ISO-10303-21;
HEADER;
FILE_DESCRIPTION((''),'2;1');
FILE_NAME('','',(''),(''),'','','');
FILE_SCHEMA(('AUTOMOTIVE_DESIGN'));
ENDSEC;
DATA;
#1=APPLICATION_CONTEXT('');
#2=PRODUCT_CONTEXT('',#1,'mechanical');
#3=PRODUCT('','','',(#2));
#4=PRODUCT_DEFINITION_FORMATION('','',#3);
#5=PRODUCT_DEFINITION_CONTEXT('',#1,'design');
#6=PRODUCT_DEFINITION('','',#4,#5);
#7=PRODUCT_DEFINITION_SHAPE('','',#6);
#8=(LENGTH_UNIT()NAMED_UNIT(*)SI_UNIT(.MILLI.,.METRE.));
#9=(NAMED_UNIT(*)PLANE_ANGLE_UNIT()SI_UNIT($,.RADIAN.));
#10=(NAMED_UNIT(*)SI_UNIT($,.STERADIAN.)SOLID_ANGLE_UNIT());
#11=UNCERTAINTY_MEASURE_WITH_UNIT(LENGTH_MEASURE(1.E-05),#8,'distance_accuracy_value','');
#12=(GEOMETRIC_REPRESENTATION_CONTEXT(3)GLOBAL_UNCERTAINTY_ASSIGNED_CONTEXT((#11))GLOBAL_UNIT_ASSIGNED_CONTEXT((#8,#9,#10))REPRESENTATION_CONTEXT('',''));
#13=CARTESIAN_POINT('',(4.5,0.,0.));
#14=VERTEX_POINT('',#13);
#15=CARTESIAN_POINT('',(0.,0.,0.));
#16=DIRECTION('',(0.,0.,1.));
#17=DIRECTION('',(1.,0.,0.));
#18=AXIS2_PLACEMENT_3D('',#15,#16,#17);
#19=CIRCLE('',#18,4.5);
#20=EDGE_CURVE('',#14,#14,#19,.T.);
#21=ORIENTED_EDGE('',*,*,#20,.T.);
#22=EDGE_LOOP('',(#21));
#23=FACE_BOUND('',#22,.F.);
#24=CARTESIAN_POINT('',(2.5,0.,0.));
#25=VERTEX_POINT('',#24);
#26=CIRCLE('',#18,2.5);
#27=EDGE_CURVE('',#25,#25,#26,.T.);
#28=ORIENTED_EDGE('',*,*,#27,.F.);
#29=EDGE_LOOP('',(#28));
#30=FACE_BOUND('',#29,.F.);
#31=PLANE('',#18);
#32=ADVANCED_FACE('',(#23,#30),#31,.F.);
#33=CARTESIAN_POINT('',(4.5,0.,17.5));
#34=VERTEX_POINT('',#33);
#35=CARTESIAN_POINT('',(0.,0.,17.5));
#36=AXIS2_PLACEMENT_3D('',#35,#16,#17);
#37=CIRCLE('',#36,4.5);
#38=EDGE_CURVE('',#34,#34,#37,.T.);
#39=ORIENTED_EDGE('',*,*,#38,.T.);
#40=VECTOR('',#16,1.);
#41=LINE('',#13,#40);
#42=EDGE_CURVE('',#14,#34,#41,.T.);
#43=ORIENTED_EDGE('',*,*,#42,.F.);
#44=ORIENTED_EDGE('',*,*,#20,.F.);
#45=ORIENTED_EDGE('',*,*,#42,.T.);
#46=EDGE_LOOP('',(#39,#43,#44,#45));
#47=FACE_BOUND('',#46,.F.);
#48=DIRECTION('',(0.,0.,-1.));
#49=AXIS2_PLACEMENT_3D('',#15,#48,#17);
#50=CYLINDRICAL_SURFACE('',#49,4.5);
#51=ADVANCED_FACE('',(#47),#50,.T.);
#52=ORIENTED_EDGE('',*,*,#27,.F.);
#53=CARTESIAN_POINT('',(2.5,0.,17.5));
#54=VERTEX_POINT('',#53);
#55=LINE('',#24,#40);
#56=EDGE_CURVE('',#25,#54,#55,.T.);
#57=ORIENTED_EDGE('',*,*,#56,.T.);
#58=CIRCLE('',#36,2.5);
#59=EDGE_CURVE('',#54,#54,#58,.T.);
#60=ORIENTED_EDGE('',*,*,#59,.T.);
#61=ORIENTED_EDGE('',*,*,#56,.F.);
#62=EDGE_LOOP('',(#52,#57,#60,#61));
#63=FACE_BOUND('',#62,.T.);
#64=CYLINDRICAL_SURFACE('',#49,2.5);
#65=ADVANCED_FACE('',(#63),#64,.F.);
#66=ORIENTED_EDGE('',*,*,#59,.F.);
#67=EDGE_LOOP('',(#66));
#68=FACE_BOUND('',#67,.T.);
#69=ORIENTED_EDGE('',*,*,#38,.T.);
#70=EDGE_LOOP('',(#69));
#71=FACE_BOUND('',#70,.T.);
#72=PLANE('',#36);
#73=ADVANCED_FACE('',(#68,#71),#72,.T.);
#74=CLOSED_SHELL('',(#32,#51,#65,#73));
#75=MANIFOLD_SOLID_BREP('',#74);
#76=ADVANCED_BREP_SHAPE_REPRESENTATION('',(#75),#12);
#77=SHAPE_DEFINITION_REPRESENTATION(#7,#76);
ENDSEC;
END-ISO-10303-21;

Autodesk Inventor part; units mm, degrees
ref_plane "YZ Plane" through (0, 0, 0) normal (1, 0, 0) x (0, 1, 0)
ref_plane "XZ Plane" through (0, 0, 0) normal (0, 1, 0) x (-1, 0, 0)
ref_plane "XY Plane" through (0, 0, 0) normal (0, 0, 1) x (1, 0, 0)
sketch "Szkic1" plane through (0, 0, 0) normal (0, 0, 1) x (1, 0, 0)
  circle A0 centre (0, 0) radius 2.5
  circle A1 centre (0, 0) radius 4.5
  dimension "d0" = 5
  dimension "d1" = 9
extrude "Wyciągnięcie proste1" add sketch "Szkic1" along normal blind 17.5
properties part number "tuleja_M5_M9_17.5"
